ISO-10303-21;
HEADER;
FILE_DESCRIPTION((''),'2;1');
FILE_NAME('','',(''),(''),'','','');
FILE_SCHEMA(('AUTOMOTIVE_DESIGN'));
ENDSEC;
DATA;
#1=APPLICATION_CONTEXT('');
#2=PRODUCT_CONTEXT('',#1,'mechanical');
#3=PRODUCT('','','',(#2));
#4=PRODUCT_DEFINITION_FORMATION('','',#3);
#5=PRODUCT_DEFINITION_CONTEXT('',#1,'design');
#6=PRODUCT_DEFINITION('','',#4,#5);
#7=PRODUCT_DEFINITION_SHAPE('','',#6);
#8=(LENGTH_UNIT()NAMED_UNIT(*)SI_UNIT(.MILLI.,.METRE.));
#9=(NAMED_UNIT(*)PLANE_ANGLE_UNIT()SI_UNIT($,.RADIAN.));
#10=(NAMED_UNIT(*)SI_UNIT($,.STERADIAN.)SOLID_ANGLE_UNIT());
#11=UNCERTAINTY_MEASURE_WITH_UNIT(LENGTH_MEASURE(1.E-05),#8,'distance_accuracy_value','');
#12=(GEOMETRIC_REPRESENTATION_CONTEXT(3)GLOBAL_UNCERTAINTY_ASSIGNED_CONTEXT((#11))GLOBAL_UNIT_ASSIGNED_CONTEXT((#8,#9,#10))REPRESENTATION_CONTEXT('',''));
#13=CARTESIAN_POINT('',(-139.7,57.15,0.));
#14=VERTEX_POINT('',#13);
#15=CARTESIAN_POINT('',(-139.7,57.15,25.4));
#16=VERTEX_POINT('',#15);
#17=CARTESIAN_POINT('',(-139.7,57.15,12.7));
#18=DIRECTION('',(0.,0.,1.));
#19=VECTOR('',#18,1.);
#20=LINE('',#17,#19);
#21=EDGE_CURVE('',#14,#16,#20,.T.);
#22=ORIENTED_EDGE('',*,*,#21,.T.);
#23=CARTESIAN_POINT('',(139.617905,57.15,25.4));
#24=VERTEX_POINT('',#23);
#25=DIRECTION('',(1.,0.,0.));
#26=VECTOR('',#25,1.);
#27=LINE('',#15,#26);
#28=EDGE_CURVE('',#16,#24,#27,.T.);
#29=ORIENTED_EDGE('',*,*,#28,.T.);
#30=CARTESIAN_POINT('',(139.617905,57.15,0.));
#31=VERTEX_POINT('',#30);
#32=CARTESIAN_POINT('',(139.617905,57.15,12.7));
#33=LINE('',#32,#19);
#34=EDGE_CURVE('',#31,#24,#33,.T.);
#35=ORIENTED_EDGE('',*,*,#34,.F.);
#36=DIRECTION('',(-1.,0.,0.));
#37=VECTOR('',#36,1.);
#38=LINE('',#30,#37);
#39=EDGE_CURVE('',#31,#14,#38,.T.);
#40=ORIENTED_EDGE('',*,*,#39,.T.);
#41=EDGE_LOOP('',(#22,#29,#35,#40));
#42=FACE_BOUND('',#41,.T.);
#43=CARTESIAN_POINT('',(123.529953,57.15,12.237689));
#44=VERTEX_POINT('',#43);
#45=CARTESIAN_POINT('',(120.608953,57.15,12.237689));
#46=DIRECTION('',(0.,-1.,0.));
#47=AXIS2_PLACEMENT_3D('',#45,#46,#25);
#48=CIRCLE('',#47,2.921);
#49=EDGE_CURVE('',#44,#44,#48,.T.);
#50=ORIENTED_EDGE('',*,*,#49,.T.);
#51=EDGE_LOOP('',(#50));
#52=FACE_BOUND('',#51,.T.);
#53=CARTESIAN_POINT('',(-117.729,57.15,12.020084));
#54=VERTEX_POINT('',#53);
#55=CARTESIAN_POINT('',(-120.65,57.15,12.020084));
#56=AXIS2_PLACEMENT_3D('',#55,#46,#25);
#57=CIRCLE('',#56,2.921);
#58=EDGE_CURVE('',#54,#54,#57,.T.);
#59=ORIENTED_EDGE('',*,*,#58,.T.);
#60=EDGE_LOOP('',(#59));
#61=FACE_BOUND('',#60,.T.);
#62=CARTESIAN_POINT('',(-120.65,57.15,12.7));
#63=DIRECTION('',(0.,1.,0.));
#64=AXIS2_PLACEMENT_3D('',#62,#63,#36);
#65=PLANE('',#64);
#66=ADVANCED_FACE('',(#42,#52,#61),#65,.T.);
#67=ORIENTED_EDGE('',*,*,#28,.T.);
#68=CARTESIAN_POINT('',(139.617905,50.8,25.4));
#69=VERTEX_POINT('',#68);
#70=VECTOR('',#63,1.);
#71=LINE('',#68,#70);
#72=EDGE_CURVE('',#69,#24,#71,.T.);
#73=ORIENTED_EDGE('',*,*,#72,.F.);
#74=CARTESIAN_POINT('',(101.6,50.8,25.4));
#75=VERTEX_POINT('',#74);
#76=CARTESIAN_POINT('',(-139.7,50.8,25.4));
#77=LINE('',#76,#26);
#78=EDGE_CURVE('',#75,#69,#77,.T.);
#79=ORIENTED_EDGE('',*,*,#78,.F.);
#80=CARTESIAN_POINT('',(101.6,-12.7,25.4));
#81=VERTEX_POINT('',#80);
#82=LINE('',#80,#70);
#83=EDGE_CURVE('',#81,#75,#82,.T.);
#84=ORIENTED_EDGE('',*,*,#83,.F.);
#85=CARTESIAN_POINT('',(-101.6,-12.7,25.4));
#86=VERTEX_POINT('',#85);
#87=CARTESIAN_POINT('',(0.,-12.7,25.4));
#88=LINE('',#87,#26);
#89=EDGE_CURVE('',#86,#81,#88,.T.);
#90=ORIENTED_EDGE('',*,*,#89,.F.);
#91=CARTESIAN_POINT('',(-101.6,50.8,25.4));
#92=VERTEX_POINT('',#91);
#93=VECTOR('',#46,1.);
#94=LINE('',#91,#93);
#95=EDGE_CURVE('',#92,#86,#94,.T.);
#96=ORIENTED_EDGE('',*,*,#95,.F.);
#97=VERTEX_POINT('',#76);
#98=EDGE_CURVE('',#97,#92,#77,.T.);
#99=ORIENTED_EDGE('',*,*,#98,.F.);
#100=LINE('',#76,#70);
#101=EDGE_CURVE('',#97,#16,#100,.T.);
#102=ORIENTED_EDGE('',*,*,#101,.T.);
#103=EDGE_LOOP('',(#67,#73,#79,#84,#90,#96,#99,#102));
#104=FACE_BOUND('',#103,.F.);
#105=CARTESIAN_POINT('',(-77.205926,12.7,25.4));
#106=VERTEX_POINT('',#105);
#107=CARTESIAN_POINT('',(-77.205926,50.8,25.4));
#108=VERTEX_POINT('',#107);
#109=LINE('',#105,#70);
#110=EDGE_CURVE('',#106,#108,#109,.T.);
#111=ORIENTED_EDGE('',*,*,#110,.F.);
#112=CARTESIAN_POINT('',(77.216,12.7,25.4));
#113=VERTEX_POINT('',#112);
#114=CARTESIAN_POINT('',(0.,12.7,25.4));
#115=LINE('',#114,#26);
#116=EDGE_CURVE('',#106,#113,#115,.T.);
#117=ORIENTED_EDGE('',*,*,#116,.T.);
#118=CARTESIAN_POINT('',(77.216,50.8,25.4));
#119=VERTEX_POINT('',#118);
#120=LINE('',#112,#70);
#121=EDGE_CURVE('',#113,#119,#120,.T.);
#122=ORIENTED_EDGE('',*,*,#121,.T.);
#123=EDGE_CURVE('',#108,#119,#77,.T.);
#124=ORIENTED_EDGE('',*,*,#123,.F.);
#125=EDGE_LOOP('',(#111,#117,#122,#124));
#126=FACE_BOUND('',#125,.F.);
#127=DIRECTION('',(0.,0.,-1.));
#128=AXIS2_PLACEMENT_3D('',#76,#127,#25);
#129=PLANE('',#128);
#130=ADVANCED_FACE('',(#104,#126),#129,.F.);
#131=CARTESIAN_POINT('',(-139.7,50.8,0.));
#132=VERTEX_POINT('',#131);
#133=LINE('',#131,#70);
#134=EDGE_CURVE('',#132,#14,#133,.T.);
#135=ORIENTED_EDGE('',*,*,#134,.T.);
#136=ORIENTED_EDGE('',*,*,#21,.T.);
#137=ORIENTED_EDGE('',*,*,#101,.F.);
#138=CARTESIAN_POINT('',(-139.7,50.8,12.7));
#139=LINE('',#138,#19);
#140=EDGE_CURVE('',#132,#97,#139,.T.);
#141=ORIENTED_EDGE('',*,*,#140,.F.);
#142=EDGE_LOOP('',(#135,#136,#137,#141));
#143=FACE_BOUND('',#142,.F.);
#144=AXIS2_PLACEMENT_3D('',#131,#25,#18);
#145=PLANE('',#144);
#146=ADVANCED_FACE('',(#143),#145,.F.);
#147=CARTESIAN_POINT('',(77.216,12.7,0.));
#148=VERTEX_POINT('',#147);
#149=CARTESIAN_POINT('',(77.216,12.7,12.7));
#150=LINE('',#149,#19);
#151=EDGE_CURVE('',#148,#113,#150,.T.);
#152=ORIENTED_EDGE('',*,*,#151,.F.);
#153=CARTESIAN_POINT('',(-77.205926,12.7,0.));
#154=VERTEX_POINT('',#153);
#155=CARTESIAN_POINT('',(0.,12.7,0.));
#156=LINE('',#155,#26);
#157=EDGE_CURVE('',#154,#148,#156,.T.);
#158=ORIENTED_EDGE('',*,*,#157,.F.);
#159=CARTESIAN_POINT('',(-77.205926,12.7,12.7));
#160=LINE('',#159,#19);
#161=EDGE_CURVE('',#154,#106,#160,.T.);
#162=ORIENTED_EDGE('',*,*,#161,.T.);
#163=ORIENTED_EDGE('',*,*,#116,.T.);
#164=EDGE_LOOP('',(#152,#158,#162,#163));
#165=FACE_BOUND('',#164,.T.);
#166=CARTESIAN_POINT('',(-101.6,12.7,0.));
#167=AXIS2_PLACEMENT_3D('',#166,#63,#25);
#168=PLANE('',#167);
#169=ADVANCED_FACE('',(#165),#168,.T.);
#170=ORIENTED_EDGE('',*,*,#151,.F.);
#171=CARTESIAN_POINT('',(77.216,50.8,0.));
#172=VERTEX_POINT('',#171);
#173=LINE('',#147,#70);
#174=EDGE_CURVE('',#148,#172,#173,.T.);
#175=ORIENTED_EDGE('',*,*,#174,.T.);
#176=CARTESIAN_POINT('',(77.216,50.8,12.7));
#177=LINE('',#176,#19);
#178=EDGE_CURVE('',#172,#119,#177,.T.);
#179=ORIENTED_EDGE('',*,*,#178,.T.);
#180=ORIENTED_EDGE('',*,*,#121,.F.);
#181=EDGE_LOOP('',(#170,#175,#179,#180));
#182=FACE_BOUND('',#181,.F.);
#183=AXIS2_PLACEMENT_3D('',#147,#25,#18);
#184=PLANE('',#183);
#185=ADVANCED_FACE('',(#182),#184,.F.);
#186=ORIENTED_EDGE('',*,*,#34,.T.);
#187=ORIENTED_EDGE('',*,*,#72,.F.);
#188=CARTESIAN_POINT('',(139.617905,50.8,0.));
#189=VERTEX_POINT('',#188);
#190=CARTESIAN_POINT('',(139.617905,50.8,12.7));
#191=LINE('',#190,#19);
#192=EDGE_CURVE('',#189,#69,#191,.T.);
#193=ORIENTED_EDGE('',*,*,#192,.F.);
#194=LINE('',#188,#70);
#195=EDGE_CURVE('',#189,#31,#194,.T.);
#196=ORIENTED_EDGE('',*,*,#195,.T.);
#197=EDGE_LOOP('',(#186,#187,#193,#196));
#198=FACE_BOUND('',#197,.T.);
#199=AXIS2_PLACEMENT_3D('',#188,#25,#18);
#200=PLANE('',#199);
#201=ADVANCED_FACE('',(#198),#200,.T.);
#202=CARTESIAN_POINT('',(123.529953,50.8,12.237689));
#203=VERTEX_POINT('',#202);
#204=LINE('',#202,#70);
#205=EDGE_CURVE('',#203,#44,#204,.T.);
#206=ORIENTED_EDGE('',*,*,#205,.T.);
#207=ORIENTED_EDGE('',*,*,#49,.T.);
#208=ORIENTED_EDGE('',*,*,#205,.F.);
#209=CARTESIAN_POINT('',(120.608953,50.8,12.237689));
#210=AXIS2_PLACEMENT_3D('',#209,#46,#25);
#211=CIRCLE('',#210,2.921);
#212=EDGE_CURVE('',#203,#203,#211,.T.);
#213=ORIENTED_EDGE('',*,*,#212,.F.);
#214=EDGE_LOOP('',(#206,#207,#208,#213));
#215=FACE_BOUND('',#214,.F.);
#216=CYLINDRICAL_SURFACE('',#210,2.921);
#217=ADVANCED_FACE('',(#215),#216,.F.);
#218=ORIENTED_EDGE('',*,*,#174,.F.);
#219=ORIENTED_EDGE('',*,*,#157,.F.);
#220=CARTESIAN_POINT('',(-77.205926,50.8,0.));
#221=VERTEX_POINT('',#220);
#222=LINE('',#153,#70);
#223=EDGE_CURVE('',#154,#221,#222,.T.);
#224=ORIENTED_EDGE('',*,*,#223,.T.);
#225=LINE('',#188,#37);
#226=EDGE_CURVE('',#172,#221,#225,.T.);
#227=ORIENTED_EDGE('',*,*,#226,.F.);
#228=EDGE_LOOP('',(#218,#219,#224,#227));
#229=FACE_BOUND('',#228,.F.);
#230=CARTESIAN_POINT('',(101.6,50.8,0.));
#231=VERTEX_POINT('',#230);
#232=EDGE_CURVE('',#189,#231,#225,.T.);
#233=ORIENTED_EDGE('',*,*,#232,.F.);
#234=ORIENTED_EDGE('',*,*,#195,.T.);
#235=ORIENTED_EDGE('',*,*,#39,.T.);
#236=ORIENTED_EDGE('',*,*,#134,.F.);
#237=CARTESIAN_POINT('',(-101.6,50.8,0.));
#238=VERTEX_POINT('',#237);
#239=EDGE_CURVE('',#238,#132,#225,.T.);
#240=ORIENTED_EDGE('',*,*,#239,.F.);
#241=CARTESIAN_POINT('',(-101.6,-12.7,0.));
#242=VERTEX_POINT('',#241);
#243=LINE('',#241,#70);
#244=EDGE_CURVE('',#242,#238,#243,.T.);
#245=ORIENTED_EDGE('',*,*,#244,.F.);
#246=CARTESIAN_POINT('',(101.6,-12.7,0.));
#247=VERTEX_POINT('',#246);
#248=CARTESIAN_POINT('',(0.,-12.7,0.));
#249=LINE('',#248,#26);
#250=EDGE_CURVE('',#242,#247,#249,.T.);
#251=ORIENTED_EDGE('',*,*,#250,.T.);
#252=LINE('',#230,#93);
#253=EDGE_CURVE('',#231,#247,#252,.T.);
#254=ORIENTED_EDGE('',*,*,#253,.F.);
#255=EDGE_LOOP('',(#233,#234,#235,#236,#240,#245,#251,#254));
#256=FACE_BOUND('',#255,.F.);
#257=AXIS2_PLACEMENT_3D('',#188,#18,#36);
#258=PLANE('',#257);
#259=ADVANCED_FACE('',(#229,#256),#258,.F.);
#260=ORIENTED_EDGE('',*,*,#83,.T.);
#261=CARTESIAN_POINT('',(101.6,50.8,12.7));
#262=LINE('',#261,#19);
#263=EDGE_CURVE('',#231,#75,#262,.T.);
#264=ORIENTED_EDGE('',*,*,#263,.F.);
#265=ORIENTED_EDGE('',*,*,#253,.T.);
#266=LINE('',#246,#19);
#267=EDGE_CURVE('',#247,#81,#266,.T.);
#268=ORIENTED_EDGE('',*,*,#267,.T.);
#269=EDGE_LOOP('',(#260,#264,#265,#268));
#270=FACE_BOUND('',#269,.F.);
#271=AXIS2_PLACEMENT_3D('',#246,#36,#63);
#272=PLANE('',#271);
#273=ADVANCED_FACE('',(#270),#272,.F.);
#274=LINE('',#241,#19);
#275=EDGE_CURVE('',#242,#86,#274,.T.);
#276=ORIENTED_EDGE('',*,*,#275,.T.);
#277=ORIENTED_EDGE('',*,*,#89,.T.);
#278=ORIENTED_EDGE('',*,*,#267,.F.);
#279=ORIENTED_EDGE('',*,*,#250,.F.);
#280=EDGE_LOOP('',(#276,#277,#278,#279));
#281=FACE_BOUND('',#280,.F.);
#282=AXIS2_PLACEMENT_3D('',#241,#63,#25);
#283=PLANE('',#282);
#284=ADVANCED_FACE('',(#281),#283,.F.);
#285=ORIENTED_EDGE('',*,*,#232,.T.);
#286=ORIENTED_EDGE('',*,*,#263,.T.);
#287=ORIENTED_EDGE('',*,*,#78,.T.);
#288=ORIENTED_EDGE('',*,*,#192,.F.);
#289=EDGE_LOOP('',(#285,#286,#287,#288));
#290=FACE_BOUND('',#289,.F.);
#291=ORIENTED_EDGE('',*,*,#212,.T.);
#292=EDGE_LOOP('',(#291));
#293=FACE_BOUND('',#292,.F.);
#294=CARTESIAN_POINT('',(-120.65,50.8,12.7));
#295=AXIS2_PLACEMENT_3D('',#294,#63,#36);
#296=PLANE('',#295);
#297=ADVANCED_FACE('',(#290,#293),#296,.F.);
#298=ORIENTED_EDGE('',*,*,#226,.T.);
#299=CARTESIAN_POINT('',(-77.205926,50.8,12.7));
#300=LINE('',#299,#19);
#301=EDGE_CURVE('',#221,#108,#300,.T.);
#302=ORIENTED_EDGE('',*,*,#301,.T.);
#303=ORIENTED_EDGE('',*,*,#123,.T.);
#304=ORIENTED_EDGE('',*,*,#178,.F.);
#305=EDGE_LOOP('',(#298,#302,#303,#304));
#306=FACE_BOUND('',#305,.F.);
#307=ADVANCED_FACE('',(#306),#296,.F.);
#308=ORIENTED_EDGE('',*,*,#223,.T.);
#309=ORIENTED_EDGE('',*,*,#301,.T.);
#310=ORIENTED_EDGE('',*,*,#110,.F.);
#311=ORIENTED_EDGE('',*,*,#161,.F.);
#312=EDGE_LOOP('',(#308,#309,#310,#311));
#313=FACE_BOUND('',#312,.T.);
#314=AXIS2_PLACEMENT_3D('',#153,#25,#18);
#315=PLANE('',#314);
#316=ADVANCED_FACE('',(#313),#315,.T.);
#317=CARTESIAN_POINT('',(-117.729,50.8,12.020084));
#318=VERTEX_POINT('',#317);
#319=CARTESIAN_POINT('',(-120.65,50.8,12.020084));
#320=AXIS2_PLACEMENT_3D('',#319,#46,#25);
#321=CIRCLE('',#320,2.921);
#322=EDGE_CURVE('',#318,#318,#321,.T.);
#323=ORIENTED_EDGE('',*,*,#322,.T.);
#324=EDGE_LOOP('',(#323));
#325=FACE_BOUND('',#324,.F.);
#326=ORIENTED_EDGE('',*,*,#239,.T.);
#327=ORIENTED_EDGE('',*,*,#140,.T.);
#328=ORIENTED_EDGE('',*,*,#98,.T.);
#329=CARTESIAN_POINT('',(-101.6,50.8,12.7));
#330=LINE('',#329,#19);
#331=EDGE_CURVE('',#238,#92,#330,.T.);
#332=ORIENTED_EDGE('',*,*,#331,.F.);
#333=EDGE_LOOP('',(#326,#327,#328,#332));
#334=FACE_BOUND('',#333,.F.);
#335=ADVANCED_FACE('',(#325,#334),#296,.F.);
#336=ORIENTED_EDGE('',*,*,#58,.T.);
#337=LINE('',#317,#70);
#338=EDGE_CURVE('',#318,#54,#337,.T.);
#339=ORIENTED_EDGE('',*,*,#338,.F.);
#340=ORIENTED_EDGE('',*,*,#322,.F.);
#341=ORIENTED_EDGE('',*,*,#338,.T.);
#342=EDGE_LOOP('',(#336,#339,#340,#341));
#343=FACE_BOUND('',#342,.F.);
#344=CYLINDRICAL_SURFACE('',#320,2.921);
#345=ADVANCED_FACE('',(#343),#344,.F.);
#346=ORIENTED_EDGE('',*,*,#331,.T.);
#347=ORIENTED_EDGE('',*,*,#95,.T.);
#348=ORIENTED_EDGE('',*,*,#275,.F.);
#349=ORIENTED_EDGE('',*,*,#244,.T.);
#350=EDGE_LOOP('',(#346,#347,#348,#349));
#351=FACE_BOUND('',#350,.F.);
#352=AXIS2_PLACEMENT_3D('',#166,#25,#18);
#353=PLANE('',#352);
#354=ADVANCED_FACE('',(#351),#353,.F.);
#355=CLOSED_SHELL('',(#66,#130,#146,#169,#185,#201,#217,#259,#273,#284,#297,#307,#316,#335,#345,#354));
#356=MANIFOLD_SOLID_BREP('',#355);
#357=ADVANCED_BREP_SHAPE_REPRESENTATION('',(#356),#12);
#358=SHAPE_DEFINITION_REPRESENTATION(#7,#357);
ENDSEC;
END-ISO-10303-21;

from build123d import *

# Parameters (mm, degrees)
F0_W     = 203.2
F0_H     = 25.4
F1_DEPTH = 25.4
F2_W     = 24.3940738201
F2_H     = 25.4
F2_W_2   = 24.384
F3_DEPTH = 38.1
F4_W     = 38.1
F4_H     = 25.4
F4_W_2   = 203.1179050207
F5_DEPTH = 6.35
F6_R     = 2.921
F7_DEPTH = 25.4
F8_R     = 2.921
F9_DEPTH = 25.4


with BuildPart() as f1:
    # F0 (on Top) → F1 (new body)
    with BuildSketch(Plane.XY):
        Rectangle(F0_W, F0_H)
    extrude(amount=F1_DEPTH)

    # F2 (on face) → F3 (join)
    with BuildSketch(Plane(origin=(0, 12.7, 0), x_dir=(-1, 0, 0), z_dir=(0, 1, 0))):
        with Locations((89.4029630899, 12.7)):
            Rectangle(F2_W, F2_H)
        with Locations((-89.408, 12.7)):
            Rectangle(F2_W_2, F2_H)
    extrude(amount=F3_DEPTH)

    # F4 (on face) → F5 (join)
    with BuildSketch(Plane(origin=(0, 50.8, 0), x_dir=(-1, 0, 0), z_dir=(0, 1, 0))):
        with Locations((120.65, 12.7)):
            Rectangle(F4_W, F4_H)
        with Locations((0.0410474896, 12.7)):
            Rectangle(F4_W_2, F4_H)
        with Locations((-120.5679050207, 12.7)):
            Rectangle(F4_W, F4_H)
    extrude(amount=F5_DEPTH)

    # F6 (on face) → F7 (cut)
    with BuildSketch(Plane.XZ.offset(-50.8)):
        with Locations((-120.65, 12.0200840756)):
            Circle(F6_R)
    extrude(amount=-F7_DEPTH, mode=Mode.SUBTRACT)

    # F8 (on face) → F9 (cut)
    with BuildSketch(Plane.XZ.offset(-50.8)):
        with Locations((120.6089525104, 12.2376885265)):
            Circle(F8_R)
    extrude(amount=-F9_DEPTH, mode=Mode.SUBTRACT)


solid = f1.part
